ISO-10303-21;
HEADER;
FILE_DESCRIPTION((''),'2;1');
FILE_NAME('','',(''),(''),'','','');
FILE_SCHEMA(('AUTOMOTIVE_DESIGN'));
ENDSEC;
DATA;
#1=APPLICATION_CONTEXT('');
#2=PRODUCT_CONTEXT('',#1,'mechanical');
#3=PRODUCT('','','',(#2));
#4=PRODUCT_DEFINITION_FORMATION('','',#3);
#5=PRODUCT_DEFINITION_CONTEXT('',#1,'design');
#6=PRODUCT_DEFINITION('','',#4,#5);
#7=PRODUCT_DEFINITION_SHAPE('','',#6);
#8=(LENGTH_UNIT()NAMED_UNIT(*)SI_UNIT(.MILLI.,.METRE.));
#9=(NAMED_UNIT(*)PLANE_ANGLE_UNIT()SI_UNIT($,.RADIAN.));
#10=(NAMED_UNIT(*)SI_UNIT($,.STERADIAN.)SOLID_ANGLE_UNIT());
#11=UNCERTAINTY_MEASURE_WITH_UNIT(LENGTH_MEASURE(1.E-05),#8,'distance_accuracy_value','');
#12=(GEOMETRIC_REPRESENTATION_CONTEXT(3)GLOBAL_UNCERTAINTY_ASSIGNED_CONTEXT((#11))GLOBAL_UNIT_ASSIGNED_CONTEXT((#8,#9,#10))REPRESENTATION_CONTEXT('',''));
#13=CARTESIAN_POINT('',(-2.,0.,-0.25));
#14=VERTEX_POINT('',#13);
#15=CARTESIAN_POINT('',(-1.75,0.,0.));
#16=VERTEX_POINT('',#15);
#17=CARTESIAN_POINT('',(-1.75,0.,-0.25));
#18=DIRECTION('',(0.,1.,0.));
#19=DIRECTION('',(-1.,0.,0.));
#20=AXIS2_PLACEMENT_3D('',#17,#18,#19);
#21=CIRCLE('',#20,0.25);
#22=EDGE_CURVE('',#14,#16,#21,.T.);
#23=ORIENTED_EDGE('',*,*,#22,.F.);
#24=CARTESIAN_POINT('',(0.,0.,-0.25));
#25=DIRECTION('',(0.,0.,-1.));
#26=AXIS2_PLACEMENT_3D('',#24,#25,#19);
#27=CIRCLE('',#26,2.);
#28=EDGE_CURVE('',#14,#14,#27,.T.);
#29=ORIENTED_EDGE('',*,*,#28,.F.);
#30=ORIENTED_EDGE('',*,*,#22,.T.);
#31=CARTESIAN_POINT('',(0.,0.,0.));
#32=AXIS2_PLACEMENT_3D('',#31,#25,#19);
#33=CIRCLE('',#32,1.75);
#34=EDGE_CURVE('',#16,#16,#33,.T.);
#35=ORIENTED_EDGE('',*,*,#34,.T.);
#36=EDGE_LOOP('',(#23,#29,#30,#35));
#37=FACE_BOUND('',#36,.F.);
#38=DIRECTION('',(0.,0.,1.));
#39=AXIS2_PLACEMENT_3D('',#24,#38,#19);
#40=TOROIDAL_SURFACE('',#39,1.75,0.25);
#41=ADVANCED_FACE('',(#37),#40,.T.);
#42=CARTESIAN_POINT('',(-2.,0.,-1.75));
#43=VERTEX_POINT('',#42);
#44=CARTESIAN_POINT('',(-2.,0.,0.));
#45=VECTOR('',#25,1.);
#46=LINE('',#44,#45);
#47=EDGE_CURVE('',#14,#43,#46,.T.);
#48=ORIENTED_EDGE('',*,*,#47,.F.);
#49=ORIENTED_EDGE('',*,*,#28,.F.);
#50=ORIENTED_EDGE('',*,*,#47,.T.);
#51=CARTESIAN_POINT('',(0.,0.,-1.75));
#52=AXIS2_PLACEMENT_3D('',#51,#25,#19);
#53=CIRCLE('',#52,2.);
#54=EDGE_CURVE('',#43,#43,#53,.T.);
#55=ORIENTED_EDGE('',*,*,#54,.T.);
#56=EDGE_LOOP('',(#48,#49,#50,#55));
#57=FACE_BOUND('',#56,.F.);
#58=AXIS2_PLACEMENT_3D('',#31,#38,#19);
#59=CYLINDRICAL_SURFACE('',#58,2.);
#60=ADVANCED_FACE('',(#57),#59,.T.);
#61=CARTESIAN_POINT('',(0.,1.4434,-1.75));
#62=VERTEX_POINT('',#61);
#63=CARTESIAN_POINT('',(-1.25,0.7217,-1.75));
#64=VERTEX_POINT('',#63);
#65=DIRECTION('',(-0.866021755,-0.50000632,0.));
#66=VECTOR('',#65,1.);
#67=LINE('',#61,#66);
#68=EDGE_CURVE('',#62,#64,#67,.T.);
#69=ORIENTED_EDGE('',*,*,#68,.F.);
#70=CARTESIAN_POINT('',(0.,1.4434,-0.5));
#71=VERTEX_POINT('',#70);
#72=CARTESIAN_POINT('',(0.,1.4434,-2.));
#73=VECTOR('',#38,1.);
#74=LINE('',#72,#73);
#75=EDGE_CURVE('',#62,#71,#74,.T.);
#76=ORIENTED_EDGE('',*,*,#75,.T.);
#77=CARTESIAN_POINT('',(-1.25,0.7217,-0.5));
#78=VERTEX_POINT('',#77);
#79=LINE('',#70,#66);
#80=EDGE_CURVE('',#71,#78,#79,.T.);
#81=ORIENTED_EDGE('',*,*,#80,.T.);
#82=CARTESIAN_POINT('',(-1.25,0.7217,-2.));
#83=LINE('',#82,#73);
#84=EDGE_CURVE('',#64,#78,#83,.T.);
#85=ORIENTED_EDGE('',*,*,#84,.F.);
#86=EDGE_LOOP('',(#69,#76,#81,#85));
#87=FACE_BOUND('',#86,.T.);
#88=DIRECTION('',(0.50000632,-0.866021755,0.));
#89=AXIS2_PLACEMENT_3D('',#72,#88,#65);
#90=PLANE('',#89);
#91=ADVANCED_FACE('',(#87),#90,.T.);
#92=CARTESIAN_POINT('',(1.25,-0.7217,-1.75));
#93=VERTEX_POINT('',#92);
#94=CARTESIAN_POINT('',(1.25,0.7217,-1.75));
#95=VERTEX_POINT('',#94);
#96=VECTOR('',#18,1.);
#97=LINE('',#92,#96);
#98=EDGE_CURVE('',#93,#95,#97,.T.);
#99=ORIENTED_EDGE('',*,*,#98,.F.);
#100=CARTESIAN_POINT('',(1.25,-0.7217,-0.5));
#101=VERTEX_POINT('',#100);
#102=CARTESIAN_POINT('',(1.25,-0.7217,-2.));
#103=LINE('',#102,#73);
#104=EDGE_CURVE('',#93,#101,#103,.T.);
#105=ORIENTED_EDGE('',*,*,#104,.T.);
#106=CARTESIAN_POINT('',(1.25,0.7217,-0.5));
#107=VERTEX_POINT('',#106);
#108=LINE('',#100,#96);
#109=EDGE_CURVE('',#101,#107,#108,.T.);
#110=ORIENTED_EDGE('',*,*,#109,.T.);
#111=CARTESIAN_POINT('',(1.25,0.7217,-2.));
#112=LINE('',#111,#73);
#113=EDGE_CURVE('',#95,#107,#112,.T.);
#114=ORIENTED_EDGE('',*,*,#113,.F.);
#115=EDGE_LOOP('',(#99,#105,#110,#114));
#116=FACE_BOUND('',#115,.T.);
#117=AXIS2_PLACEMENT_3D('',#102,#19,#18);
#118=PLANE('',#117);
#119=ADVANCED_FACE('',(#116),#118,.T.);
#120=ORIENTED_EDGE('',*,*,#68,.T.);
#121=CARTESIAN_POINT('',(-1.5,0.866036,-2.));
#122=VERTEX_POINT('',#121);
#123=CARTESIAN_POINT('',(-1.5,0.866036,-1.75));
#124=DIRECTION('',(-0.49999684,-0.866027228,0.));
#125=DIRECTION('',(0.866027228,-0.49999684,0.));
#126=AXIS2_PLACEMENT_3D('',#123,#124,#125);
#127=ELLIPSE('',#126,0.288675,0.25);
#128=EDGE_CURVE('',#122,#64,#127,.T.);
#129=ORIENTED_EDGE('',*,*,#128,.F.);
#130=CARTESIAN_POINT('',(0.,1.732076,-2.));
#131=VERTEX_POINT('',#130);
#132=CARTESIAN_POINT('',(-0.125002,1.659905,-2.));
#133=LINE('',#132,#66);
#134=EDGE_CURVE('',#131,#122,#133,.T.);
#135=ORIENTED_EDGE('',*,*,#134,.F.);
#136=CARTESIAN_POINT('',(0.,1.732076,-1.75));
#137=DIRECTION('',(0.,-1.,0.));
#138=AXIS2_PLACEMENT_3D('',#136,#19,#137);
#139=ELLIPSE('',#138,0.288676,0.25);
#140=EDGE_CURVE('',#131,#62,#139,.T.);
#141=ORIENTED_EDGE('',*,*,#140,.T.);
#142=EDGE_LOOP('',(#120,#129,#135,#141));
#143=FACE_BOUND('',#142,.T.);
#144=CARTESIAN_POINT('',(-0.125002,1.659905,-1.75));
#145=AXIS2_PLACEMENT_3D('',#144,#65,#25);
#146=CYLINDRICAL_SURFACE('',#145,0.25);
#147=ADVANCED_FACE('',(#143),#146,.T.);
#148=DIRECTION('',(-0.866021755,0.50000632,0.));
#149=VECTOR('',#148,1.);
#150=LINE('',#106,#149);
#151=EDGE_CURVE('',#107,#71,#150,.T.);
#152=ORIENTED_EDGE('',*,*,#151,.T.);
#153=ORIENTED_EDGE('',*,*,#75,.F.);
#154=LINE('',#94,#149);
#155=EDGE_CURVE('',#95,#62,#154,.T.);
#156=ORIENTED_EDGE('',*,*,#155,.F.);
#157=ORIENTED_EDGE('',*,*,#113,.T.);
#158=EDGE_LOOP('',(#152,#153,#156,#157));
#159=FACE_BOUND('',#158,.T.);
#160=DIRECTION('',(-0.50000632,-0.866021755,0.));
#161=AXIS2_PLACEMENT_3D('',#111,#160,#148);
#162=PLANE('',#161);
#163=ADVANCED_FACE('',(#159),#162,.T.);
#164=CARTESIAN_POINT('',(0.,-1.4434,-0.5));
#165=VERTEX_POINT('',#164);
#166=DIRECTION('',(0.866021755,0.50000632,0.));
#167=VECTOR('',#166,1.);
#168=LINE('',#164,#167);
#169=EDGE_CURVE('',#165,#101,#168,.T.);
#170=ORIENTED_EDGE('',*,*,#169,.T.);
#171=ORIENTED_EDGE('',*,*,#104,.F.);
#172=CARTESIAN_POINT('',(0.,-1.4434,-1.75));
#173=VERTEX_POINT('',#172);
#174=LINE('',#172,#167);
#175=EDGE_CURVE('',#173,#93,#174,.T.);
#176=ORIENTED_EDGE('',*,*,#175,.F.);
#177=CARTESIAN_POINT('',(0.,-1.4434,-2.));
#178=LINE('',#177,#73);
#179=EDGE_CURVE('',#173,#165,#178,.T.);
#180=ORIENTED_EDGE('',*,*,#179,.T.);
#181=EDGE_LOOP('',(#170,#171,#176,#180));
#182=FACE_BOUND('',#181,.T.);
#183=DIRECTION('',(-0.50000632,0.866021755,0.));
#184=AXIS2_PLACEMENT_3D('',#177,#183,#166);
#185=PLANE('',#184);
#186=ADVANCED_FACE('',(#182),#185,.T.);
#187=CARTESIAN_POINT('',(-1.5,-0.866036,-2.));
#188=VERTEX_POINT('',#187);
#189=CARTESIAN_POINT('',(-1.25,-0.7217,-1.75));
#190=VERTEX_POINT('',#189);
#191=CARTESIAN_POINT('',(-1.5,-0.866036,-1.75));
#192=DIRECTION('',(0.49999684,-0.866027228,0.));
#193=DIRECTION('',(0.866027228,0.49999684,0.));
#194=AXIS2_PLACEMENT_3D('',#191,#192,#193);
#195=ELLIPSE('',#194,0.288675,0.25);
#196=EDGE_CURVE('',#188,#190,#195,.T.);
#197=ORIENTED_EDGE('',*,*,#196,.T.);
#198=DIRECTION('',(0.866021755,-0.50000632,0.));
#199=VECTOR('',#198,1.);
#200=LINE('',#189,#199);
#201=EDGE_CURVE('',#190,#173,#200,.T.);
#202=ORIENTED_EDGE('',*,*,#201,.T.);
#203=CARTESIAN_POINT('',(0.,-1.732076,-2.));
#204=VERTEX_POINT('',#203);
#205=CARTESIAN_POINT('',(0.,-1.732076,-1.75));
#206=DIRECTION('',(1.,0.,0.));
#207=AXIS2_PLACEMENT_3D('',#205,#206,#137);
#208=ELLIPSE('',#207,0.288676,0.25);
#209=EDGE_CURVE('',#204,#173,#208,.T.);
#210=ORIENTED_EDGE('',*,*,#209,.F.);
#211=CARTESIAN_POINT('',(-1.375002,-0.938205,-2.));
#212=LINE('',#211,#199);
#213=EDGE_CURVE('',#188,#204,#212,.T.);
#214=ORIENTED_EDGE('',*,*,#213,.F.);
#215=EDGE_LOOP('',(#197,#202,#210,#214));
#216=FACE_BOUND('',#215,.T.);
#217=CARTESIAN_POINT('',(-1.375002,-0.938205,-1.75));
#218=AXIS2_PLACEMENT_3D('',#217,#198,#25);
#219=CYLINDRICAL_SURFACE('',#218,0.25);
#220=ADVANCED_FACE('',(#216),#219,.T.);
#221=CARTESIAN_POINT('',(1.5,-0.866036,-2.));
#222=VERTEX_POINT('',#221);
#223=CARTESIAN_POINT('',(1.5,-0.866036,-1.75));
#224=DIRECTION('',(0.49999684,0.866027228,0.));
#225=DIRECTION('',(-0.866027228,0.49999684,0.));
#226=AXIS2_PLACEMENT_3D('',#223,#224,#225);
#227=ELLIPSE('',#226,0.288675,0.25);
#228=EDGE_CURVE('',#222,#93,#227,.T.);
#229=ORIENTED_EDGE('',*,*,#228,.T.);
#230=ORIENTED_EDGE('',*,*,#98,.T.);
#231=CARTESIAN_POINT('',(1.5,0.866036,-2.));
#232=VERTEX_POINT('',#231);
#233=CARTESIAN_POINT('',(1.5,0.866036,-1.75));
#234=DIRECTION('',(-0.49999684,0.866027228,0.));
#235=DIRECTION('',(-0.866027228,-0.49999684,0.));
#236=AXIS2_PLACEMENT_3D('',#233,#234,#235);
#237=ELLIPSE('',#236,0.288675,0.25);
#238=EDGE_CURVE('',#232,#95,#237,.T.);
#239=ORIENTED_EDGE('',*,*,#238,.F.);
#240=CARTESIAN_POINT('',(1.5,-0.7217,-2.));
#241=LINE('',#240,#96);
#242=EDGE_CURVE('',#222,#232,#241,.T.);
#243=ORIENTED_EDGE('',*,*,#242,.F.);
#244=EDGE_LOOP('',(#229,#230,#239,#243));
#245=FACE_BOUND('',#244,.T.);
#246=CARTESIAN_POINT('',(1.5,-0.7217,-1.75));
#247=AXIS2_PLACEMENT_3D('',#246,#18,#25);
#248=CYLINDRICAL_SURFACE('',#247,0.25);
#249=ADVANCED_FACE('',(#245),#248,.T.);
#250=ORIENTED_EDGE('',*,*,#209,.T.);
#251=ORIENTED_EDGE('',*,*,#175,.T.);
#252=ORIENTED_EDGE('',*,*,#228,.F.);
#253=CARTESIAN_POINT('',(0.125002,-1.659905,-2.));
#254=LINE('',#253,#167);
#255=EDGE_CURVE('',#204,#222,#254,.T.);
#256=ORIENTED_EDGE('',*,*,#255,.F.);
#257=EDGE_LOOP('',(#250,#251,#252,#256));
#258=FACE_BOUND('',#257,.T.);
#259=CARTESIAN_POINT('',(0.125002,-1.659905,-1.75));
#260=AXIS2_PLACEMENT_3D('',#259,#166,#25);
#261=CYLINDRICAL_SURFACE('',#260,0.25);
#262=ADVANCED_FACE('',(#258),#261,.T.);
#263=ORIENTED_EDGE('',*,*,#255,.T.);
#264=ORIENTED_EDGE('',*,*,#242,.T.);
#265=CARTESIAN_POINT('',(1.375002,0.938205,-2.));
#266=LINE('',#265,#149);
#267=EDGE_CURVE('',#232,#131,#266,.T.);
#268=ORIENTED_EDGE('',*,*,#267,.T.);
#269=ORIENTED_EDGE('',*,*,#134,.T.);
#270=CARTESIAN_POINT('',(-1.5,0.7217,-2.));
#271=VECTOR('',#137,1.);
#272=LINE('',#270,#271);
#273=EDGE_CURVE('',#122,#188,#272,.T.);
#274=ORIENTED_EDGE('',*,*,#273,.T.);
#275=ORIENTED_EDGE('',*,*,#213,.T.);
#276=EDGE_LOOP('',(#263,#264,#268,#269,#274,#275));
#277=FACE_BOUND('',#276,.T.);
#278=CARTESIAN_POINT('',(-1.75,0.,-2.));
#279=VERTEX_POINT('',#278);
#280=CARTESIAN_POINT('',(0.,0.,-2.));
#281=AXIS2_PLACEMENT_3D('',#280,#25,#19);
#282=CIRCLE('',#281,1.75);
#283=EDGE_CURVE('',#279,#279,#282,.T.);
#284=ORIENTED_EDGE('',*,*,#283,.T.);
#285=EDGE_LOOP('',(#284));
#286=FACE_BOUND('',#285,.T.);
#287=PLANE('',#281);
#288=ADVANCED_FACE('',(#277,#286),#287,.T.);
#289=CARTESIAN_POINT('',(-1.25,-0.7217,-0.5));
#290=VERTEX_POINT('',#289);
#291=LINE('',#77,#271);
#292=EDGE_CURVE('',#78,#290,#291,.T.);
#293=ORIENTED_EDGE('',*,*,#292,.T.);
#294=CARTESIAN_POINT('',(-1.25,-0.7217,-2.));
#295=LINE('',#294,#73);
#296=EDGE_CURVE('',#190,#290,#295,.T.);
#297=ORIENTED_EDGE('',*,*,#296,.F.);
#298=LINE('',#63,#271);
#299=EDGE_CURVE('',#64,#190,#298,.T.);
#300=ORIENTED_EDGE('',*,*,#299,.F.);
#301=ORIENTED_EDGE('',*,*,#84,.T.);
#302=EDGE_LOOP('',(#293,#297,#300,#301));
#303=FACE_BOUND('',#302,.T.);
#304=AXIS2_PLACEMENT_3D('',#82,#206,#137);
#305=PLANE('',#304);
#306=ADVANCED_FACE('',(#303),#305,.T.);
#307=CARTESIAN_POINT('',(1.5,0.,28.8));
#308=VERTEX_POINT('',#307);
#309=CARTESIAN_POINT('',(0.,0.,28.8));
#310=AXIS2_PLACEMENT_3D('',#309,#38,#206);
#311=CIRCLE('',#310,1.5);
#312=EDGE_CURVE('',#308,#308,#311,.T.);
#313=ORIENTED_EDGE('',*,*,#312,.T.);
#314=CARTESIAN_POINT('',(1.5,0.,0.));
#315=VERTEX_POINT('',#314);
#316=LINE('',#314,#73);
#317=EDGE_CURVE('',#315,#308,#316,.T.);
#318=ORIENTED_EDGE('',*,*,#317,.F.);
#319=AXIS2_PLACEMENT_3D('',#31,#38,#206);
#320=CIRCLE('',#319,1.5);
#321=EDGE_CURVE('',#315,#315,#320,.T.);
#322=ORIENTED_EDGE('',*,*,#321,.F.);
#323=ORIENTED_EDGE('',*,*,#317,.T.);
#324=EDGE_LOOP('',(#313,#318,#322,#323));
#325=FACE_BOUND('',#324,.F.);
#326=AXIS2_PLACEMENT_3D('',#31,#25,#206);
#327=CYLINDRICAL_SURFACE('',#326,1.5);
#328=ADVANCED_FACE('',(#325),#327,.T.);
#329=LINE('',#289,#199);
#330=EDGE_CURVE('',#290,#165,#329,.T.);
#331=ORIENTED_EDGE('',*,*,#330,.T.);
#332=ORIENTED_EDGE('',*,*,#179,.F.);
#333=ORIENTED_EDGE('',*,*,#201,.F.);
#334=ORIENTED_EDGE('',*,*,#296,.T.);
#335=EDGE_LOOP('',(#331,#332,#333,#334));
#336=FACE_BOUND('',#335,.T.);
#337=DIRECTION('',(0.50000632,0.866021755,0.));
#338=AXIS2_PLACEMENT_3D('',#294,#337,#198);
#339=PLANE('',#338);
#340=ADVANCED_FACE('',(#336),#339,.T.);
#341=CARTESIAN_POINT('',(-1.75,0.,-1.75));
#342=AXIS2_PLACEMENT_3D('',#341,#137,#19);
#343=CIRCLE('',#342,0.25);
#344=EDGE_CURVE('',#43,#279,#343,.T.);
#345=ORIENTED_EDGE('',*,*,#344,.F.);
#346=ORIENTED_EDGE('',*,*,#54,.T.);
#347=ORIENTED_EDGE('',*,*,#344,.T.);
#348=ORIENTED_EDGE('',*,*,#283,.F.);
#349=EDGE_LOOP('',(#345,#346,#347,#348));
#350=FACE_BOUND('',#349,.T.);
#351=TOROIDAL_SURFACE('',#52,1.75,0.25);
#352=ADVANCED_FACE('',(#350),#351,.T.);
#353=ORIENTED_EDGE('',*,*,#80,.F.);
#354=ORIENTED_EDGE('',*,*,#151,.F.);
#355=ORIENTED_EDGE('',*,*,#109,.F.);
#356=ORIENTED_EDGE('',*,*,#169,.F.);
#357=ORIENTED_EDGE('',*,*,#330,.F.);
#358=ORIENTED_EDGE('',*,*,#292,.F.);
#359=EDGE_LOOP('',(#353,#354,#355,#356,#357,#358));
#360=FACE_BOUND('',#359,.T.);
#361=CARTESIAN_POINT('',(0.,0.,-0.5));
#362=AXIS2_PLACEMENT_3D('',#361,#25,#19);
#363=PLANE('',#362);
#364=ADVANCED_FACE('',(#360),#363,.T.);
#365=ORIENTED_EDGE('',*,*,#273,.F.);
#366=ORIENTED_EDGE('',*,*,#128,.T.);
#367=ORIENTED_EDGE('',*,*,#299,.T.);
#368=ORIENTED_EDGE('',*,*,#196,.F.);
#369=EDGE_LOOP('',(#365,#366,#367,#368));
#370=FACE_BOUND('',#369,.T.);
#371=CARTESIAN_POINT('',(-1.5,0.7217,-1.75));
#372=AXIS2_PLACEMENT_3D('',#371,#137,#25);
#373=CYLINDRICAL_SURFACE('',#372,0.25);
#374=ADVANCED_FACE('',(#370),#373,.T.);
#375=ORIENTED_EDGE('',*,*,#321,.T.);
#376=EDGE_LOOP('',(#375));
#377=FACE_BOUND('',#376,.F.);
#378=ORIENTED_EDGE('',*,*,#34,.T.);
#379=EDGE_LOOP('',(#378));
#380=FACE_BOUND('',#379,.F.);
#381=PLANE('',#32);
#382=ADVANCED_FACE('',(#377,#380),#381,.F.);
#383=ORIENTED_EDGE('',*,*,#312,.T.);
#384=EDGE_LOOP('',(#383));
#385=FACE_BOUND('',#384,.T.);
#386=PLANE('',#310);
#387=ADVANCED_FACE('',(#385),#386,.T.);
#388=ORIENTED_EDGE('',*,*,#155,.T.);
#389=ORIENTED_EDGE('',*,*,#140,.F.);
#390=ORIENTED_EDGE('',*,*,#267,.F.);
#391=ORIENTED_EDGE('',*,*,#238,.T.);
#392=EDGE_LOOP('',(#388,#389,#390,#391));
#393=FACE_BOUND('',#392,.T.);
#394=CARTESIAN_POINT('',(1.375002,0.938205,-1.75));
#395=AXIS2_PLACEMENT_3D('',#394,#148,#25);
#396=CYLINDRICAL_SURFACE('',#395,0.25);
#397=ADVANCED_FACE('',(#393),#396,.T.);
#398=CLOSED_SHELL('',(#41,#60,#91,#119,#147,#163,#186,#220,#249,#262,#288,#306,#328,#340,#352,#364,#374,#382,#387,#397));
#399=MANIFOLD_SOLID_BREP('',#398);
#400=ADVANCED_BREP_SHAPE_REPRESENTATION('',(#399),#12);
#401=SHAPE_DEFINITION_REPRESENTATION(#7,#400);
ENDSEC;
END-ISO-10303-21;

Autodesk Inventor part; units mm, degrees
ref_plane "YZ Plane" through (0, 0, 0) normal (1, 0, 0) x (0, 1, 0)
ref_plane "XZ Plane" through (0, 0, 0) normal (0, 1, 0) x (-1, 0, 0)
ref_plane "XY Plane" through (0, 0, 0) normal (0, 0, 1) x (1, 0, 0)
sketch "Sketch1" plane through (0, 0, 0) normal (0, 0, 1) x (1, 0, 0)
  circle A0 centre (0, 0) radius 1.5
  dimension "d0" = 3
extrude "Extrusion1" add sketch "Sketch1" along normal blind 28.8
thread "Thread1" size "M3x0.5" class "6g" standard "ANSI Metric M Profile" full length
sketch "Sketch2" plane through (0, 0, 0) normal (0, 0, -1) x (-1, 0, 0)
  circle A0 centre (0, 0) radius 2
  dimension "d5" = 4
extrude "Extrusion2" add sketch "Sketch2" along normal blind 2
sketch "Sketch3" plane through (0, 0, -2) normal (0, 0, -1) x (-1, 0, 0)
  circle A0 centre (0, 0) radius 1.5 projected
  line L0 (0, -1.4434) -> (-1.25, -0.7217)
  line L1 (-1.25, -0.7217) -> (-1.25, 0.7217)
  line L2 (-1.25, 0.7217) -> (0, 1.4434)
  line L3 (0, 1.4434) -> (1.25, 0.7217)
  line L4 (1.25, 0.7217) -> (1.25, -0.7217)
  line L5 (1.25, -0.7217) -> (0, -1.4434)
  dimension "d8" = 1.25
extrude "Extrusion3" cut sketch "Sketch3" against normal blind 1.5 contours L0 L1 L2 L3 L4 L5
fillet "Fillet1" radius 0.25 8 edges at (2, 0, 0) (2, 0, -2) (-0.625, -1.0825, -2) (-1.25, 0, -2) (-0.625, 1.0825, -2) (0.625, 1.0825, -2) (1.25, 0, -2) (0.625, -1.0825, -2)
properties part number "AdjBolt" material "Stainless Steel"
